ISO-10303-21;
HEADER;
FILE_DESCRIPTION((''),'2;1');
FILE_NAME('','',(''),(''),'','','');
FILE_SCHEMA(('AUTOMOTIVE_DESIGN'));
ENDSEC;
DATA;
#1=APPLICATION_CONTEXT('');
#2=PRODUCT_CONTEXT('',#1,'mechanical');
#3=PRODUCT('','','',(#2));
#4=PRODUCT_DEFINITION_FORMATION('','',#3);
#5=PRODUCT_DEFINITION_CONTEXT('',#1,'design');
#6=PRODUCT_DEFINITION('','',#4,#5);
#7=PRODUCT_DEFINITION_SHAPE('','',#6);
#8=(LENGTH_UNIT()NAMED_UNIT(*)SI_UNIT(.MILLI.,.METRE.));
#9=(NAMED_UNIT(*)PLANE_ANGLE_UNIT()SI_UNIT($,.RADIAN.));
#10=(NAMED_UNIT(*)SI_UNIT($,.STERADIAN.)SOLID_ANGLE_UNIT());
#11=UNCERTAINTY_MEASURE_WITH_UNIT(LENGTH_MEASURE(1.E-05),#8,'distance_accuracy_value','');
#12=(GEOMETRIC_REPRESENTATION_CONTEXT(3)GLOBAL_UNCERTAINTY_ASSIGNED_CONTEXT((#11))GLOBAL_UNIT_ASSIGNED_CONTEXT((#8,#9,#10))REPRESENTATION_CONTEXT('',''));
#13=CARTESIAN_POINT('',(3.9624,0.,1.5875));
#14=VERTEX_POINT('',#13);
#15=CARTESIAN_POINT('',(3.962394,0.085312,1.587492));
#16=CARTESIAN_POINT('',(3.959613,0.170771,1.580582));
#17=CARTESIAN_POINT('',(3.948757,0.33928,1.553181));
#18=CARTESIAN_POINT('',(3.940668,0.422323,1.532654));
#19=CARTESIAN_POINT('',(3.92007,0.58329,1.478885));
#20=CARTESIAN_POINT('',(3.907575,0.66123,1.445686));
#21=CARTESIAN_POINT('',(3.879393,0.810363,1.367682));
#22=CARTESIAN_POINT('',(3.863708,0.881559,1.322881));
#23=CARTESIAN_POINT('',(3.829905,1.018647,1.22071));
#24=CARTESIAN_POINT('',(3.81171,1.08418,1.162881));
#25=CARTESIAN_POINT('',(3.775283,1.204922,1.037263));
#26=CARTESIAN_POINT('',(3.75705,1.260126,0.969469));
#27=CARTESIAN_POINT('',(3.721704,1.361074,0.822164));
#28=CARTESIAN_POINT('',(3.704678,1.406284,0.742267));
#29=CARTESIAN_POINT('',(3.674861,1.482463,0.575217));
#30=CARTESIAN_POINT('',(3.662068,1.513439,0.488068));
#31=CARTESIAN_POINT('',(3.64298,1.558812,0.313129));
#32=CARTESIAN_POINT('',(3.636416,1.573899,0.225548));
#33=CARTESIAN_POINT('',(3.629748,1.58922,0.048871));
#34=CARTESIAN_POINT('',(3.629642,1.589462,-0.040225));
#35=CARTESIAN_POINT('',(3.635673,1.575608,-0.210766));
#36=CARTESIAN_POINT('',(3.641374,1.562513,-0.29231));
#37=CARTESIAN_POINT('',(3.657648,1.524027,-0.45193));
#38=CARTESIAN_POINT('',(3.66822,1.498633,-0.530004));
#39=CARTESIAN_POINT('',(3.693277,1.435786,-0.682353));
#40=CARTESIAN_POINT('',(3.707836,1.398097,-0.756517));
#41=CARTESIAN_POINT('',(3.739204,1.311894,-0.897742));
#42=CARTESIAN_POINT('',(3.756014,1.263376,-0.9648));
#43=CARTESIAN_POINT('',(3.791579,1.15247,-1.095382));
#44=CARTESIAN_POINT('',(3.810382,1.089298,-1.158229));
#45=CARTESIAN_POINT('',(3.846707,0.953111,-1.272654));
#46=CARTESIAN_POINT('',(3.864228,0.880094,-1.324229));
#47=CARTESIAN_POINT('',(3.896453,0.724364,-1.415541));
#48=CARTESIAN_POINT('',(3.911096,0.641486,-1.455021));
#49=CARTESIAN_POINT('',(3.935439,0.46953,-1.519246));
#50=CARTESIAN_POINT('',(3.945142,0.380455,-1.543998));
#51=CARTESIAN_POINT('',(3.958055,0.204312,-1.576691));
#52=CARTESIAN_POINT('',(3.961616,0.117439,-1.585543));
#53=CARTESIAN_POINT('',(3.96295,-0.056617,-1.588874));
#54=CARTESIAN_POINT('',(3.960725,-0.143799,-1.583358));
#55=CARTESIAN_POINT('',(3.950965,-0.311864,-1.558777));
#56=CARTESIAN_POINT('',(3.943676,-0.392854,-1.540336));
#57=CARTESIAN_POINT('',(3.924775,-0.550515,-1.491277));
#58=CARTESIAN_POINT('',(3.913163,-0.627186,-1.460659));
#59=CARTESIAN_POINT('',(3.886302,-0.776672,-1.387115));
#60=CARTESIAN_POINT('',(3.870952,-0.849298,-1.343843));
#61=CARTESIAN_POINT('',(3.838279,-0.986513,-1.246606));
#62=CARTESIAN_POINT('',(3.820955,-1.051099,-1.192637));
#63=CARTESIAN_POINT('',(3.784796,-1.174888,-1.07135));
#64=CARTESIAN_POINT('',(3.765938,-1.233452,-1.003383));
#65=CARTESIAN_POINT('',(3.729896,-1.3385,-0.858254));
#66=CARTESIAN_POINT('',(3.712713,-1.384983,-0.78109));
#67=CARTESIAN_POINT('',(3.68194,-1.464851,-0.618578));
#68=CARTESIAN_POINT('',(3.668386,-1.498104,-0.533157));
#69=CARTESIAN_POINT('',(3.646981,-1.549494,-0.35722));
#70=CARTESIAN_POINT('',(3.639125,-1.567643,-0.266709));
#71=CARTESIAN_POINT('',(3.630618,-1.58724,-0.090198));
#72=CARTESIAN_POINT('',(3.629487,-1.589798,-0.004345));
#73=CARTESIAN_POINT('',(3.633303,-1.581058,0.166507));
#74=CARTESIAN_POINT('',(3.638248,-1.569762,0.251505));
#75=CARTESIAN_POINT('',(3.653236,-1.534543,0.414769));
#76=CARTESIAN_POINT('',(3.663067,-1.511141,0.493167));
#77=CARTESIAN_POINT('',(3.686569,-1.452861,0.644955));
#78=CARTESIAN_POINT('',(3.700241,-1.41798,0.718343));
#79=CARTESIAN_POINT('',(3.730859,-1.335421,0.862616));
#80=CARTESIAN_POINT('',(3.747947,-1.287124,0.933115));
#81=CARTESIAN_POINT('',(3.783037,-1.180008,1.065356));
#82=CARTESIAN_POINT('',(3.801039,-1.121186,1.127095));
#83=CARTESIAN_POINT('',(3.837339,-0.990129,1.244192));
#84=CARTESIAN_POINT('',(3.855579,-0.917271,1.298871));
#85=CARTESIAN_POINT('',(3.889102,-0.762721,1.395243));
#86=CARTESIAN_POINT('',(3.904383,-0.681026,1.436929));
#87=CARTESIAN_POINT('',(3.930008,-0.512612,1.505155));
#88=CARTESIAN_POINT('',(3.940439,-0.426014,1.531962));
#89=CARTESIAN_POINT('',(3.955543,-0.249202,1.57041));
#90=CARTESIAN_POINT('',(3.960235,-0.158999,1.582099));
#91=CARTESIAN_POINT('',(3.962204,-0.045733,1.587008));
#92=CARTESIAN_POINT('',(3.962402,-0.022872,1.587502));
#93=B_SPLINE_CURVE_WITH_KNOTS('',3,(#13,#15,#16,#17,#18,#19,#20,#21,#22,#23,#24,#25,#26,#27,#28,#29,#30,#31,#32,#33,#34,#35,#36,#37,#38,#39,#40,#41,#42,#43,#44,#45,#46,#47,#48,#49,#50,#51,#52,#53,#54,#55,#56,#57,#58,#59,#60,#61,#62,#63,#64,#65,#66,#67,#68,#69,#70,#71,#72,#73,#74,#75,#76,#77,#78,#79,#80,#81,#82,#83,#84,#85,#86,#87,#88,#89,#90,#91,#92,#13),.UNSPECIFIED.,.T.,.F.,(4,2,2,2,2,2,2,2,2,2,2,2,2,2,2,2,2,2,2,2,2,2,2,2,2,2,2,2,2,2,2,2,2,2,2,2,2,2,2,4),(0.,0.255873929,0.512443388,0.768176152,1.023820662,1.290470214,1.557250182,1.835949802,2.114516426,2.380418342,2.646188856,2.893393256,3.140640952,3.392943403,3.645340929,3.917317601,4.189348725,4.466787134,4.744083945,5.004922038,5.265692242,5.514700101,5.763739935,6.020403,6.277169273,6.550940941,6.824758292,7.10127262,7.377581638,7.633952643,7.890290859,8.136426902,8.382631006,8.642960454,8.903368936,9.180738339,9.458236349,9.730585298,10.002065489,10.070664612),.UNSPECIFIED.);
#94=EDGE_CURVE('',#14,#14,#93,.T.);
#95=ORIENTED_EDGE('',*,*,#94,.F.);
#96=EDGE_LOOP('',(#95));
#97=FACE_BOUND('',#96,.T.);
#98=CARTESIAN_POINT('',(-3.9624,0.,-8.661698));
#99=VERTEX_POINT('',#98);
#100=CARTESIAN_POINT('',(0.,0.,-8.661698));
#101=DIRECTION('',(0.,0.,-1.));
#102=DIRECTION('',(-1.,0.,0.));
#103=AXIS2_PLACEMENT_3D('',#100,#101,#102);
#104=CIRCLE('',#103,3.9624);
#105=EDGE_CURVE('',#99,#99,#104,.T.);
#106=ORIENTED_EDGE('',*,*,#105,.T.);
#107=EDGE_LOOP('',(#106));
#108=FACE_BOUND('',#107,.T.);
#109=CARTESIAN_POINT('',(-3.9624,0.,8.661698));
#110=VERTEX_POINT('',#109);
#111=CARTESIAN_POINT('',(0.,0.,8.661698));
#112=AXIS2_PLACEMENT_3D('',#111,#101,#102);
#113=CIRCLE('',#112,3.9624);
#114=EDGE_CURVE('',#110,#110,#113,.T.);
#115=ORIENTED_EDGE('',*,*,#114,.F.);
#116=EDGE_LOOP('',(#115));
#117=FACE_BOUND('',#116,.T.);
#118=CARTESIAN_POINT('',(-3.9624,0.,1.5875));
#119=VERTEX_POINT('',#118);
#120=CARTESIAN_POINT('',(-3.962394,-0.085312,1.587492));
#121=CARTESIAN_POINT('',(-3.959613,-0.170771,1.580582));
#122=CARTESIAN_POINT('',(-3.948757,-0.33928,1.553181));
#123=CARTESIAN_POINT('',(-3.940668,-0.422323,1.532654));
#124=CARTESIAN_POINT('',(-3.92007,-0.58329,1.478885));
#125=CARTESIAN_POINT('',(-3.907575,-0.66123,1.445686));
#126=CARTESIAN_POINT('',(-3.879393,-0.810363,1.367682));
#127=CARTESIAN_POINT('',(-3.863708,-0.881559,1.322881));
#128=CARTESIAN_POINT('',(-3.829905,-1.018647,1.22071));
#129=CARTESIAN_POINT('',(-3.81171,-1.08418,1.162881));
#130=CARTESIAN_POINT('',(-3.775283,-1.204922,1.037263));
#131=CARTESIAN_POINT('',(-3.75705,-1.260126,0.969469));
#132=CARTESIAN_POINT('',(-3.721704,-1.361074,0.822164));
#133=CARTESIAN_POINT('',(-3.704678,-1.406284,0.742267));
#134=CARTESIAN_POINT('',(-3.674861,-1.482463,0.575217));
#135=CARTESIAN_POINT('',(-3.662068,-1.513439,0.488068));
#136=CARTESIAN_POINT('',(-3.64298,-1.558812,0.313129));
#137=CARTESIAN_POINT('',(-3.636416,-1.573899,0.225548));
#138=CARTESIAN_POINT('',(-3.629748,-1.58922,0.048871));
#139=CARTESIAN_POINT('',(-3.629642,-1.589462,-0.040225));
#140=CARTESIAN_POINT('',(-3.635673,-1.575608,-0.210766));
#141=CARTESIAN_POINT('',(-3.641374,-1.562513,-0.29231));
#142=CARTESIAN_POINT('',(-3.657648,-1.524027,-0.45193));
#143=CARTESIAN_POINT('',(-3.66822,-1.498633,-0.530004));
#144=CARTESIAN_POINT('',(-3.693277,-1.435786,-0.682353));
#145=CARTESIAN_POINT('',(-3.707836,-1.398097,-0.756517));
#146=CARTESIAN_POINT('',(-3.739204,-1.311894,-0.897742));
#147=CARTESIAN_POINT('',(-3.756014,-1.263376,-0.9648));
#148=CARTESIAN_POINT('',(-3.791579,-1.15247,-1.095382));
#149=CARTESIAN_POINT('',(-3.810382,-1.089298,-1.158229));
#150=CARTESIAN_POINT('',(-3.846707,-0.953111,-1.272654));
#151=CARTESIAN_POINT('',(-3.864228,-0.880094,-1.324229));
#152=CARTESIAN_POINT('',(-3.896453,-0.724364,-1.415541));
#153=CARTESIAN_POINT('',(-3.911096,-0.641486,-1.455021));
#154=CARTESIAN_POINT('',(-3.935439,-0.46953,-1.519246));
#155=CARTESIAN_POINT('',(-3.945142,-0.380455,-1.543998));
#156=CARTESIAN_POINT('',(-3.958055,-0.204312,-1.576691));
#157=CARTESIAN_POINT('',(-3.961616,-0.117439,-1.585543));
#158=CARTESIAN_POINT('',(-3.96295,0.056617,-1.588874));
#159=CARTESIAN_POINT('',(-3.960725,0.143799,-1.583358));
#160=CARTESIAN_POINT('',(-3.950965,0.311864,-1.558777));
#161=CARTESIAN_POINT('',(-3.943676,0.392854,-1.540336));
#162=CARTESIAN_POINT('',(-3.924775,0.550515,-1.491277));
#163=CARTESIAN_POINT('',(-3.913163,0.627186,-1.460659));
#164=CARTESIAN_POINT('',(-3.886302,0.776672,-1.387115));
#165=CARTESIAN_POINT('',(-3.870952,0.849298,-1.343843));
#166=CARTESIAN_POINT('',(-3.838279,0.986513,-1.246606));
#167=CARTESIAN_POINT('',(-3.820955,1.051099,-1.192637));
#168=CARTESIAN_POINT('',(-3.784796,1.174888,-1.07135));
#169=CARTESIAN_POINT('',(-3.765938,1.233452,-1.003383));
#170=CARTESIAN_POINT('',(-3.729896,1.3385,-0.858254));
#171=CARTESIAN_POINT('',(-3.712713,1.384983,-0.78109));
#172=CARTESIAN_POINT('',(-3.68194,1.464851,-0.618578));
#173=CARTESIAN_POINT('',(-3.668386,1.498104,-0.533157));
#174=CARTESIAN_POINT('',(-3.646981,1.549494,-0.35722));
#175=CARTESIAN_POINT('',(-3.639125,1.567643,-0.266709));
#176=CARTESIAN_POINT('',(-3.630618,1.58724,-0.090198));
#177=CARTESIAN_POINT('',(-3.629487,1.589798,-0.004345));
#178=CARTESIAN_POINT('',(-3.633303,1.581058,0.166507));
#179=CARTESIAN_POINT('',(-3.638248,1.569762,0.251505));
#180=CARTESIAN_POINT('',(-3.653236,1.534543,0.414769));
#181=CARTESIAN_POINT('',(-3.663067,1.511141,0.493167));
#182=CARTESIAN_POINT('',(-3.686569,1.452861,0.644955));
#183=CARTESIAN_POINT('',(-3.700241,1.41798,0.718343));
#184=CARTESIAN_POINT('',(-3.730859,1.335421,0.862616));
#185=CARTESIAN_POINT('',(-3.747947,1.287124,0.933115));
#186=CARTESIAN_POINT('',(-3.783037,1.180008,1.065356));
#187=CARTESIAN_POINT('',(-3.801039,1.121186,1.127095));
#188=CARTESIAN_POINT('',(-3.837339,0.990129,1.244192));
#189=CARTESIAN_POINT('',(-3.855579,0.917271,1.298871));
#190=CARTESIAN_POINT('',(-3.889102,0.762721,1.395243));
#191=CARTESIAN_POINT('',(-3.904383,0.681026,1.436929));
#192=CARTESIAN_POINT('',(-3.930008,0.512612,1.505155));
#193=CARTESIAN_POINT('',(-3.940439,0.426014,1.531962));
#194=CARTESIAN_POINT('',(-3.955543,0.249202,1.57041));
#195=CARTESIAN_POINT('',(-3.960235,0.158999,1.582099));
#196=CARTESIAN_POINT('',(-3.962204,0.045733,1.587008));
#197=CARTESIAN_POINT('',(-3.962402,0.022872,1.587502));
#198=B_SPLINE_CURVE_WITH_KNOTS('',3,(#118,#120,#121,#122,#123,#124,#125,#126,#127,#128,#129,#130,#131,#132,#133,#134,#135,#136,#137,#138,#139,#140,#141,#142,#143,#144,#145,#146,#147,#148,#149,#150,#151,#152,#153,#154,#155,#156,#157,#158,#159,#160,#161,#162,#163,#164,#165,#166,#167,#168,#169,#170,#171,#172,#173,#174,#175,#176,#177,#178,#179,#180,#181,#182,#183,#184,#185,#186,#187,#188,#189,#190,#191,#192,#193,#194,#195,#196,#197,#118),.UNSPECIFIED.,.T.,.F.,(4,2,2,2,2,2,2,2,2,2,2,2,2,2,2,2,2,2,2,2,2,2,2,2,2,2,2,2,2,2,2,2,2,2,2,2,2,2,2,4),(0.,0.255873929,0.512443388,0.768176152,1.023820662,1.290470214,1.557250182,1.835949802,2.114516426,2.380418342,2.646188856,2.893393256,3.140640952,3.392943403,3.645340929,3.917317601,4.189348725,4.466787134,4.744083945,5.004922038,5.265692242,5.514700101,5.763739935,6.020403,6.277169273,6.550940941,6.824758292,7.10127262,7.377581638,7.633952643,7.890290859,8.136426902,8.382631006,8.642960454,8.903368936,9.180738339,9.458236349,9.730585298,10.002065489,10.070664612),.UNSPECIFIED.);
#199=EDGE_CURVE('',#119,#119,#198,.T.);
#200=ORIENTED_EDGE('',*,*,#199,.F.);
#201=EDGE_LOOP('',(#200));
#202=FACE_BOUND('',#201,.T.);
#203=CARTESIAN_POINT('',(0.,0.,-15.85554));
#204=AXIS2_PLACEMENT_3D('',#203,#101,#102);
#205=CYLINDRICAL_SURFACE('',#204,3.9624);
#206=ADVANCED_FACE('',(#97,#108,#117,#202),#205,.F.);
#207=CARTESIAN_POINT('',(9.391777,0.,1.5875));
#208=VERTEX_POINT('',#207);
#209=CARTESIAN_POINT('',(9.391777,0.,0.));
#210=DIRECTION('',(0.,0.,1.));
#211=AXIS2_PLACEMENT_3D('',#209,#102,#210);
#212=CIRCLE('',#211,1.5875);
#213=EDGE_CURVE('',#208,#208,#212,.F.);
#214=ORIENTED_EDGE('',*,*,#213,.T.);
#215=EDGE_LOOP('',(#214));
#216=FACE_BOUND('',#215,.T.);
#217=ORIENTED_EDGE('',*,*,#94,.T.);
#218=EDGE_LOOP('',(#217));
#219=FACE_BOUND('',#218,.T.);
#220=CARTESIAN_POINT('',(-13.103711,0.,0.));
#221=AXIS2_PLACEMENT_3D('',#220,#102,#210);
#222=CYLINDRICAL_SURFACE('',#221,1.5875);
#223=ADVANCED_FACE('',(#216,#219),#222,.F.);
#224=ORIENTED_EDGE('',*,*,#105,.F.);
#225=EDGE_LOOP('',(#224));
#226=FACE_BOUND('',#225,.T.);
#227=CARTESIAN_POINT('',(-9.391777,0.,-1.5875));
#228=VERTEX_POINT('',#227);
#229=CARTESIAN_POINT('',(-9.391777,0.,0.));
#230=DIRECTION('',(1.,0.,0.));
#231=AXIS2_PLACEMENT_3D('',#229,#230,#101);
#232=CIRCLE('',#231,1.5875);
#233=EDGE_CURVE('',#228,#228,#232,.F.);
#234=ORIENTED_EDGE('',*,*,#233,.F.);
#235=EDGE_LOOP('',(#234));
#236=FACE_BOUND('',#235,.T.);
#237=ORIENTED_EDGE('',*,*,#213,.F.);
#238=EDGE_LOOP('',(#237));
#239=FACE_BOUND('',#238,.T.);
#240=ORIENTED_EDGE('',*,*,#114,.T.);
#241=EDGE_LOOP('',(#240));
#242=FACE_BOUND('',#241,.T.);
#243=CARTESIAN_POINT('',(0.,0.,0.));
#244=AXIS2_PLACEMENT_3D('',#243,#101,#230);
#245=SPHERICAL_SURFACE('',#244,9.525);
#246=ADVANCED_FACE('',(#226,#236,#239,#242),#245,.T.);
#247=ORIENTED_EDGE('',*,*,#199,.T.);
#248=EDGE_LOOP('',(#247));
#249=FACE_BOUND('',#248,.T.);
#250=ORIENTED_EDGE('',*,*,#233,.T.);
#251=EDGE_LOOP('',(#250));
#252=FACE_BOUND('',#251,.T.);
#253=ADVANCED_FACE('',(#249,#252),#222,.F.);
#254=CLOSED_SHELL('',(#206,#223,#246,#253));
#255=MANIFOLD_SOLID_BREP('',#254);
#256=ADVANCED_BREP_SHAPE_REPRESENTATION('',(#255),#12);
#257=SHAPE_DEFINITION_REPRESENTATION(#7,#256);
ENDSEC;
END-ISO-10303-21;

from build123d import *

# Parameters (mm, degrees)
SKETCH2_W = 25.496634157
SKETCH2_H = 1.5875


with BuildPart() as part:
    # Sketch1 → Revolve1 (revolve)
    with BuildSketch(Plane(origin=(0, 0, 0), x_dir=(1, 0, 0), z_dir=(0, 1, 0))):
        with BuildLine():
            Line((3.9624, 8.661697942), (3.9624, -8.661697942))
            ThreePointArc((3.9624, -8.661697942), (9.525, 0), (3.9624, 8.661697942))
        make_face()
    revolve(axis=Axis((0, 0, -15.855540096), (0, 0, 1)))

    # Sketch2 → Cut-Revolve1 (revolve, cut)
    with BuildSketch(Plane(origin=(0, 0, 0), x_dir=(1, 0, 0), z_dir=(0, 1, 0)), mode=Mode.PRIVATE) as cut_revolve1_sk:
        with Locations((-0.355393732, 0.79375)):
            Rectangle(SKETCH2_W, SKETCH2_H)
    revolve(cut_revolve1_sk.sketch.rotate(Axis((-13.10371081, 0, 0), (1, 0, 0)), 180), axis=Axis((-13.10371081, 0, 0), (1, 0, 0)), mode=Mode.SUBTRACT)


solid = part.part
